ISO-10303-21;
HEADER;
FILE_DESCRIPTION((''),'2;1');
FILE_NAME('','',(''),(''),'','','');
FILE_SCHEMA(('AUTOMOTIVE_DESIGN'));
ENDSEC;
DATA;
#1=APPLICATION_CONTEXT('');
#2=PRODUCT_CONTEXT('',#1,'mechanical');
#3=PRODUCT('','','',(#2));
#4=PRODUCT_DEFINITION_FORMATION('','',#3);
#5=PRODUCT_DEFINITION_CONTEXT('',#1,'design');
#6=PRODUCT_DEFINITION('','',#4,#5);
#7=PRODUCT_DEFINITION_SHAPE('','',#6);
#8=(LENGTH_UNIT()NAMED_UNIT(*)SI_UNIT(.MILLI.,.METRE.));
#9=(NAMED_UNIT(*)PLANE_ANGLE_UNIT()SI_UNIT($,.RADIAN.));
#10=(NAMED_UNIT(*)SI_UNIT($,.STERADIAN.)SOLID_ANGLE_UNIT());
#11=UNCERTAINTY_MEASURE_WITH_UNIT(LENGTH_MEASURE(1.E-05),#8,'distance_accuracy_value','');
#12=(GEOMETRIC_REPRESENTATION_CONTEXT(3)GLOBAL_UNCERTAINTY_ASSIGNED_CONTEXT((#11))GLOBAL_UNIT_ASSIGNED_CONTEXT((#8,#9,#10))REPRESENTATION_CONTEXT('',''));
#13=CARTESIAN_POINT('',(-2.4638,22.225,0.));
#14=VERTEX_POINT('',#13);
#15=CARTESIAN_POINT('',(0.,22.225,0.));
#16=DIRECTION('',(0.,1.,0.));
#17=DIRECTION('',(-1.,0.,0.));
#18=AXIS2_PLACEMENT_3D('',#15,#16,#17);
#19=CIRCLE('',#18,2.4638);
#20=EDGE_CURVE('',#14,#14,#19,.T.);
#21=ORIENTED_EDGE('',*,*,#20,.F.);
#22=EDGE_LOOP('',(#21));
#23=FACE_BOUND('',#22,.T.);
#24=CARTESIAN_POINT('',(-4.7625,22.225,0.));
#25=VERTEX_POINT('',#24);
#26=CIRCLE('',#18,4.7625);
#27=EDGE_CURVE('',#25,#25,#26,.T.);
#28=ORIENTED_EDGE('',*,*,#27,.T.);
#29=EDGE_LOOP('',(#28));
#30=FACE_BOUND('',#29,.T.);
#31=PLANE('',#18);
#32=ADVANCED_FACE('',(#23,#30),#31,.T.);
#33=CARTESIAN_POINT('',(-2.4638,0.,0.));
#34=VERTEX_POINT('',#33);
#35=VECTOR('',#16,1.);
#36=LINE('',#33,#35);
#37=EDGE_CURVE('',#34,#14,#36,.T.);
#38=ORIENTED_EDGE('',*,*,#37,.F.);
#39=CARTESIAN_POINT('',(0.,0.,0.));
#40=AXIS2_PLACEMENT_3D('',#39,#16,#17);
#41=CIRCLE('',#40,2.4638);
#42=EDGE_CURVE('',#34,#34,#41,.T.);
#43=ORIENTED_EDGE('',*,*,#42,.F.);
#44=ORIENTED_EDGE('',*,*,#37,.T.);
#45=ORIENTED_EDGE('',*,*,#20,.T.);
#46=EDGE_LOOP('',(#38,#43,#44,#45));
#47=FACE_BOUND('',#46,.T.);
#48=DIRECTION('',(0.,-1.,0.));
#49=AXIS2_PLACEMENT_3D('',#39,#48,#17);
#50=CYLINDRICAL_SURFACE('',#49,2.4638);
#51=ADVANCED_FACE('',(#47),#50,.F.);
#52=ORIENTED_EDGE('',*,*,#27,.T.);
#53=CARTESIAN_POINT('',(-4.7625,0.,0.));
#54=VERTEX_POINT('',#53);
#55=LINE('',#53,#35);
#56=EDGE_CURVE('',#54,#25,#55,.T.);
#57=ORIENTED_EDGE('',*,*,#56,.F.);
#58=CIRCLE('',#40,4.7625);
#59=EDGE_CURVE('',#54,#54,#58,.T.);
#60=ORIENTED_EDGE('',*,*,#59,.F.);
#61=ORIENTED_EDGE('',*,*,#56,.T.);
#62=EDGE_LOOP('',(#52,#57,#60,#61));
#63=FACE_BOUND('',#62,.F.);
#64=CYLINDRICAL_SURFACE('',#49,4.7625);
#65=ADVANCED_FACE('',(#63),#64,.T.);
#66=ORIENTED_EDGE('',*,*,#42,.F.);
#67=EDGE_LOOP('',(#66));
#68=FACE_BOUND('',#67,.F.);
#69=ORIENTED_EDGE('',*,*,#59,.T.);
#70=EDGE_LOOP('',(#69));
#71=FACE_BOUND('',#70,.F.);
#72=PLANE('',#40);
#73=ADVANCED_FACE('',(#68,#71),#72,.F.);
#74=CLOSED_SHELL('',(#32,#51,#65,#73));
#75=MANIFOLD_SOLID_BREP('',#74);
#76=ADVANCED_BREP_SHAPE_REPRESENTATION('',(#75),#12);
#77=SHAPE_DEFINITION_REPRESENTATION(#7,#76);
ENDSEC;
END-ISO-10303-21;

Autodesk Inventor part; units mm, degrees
ref_plane "YZ Plane" through (0, 0, 0) normal (1, 0, 0) x (0, 1, 0)
ref_plane "XZ Plane" through (0, 0, 0) normal (0, 1, 0) x (-1, 0, 0)
ref_plane "XY Plane" through (0, 0, 0) normal (0, 0, 1) x (1, 0, 0)
sketch "Sketch1" plane through (0, 0, 0) normal (0, 1, 0) x (-1, 0, 0)
  circle A0 centre (0, 0) radius 2.4638
  circle A1 centre (0, 0) radius 4.7625
  dimension "d0" = 4.9276
  dimension "d1" = 9.525
extrude "Extrusion1" add sketch "Sketch1" along normal blind 22.225
properties part number "Nylon Spacer .375 OD-.125" material "VEX Nylon"
